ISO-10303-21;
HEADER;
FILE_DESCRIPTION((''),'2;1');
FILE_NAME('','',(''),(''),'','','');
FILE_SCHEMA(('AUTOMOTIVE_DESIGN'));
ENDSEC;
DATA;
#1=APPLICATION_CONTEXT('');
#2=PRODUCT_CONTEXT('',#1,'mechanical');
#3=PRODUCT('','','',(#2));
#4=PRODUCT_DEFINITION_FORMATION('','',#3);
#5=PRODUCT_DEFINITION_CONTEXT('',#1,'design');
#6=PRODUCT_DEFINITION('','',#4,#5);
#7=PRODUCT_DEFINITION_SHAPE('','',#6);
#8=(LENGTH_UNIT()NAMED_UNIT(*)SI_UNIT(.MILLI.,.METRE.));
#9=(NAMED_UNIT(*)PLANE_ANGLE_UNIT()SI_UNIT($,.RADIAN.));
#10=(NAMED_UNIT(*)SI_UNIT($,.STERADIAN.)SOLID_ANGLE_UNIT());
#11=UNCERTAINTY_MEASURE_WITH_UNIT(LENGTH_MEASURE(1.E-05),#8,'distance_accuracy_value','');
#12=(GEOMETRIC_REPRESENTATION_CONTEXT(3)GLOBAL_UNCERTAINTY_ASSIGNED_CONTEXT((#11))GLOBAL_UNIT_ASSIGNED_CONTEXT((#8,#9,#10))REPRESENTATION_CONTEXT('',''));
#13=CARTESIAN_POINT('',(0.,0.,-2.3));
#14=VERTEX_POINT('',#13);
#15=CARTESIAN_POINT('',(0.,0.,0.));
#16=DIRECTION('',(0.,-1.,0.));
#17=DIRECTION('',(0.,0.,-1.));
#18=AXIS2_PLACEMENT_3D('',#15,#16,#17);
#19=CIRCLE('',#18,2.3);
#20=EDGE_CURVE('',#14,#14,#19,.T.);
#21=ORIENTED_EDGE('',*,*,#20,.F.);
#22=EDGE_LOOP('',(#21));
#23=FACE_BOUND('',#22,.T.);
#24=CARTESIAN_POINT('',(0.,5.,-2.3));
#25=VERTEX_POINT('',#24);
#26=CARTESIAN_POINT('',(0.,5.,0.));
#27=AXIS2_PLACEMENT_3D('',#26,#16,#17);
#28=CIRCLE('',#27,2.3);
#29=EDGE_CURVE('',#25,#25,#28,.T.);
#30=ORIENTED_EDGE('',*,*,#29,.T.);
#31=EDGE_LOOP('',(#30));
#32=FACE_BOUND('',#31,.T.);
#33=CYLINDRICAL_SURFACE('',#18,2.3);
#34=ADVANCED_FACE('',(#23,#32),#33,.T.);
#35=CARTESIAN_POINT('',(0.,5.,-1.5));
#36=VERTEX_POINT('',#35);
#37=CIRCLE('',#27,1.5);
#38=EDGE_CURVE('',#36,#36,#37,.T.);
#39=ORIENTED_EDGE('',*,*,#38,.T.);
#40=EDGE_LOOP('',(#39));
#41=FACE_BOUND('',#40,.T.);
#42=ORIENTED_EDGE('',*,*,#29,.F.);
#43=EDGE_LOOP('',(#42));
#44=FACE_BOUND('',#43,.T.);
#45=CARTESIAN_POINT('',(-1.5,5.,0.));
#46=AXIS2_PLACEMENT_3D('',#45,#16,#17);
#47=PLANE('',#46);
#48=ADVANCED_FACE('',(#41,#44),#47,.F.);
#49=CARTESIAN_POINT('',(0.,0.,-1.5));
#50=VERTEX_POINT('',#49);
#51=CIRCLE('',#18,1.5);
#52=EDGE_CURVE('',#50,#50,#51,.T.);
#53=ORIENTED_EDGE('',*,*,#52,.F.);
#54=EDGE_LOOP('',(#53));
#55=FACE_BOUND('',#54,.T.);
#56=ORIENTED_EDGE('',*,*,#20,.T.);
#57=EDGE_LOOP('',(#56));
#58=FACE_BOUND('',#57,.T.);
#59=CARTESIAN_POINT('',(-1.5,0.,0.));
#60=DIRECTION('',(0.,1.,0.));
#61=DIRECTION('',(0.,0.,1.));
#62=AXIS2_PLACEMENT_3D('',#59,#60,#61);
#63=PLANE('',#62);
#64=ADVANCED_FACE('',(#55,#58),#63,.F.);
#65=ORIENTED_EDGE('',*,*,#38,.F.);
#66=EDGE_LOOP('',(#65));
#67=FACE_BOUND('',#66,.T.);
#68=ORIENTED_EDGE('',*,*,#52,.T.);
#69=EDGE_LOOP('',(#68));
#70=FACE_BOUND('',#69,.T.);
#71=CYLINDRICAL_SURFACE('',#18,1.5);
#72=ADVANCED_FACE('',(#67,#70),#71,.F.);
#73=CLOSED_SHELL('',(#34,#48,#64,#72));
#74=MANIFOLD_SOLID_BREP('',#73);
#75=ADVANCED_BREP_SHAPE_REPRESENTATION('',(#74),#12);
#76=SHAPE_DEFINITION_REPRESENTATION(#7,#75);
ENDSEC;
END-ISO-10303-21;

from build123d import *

# Parameters (mm, degrees)
SKETCH1_W = 0.8
SKETCH1_H = 5


with BuildPart() as part:
    # Sketch1 → Revolve1 (revolve)
    with BuildSketch(Plane.XY, mode=Mode.PRIVATE) as revolve1_sk:
        with Locations((-1.9, 2.5)):
            Rectangle(SKETCH1_W, SKETCH1_H)
    revolve(revolve1_sk.sketch.rotate(Axis((0, 0, 0), (0, 1, 0)), 270), axis=Axis((0, 0, 0), (0, 1, 0)))


solid = part.part
